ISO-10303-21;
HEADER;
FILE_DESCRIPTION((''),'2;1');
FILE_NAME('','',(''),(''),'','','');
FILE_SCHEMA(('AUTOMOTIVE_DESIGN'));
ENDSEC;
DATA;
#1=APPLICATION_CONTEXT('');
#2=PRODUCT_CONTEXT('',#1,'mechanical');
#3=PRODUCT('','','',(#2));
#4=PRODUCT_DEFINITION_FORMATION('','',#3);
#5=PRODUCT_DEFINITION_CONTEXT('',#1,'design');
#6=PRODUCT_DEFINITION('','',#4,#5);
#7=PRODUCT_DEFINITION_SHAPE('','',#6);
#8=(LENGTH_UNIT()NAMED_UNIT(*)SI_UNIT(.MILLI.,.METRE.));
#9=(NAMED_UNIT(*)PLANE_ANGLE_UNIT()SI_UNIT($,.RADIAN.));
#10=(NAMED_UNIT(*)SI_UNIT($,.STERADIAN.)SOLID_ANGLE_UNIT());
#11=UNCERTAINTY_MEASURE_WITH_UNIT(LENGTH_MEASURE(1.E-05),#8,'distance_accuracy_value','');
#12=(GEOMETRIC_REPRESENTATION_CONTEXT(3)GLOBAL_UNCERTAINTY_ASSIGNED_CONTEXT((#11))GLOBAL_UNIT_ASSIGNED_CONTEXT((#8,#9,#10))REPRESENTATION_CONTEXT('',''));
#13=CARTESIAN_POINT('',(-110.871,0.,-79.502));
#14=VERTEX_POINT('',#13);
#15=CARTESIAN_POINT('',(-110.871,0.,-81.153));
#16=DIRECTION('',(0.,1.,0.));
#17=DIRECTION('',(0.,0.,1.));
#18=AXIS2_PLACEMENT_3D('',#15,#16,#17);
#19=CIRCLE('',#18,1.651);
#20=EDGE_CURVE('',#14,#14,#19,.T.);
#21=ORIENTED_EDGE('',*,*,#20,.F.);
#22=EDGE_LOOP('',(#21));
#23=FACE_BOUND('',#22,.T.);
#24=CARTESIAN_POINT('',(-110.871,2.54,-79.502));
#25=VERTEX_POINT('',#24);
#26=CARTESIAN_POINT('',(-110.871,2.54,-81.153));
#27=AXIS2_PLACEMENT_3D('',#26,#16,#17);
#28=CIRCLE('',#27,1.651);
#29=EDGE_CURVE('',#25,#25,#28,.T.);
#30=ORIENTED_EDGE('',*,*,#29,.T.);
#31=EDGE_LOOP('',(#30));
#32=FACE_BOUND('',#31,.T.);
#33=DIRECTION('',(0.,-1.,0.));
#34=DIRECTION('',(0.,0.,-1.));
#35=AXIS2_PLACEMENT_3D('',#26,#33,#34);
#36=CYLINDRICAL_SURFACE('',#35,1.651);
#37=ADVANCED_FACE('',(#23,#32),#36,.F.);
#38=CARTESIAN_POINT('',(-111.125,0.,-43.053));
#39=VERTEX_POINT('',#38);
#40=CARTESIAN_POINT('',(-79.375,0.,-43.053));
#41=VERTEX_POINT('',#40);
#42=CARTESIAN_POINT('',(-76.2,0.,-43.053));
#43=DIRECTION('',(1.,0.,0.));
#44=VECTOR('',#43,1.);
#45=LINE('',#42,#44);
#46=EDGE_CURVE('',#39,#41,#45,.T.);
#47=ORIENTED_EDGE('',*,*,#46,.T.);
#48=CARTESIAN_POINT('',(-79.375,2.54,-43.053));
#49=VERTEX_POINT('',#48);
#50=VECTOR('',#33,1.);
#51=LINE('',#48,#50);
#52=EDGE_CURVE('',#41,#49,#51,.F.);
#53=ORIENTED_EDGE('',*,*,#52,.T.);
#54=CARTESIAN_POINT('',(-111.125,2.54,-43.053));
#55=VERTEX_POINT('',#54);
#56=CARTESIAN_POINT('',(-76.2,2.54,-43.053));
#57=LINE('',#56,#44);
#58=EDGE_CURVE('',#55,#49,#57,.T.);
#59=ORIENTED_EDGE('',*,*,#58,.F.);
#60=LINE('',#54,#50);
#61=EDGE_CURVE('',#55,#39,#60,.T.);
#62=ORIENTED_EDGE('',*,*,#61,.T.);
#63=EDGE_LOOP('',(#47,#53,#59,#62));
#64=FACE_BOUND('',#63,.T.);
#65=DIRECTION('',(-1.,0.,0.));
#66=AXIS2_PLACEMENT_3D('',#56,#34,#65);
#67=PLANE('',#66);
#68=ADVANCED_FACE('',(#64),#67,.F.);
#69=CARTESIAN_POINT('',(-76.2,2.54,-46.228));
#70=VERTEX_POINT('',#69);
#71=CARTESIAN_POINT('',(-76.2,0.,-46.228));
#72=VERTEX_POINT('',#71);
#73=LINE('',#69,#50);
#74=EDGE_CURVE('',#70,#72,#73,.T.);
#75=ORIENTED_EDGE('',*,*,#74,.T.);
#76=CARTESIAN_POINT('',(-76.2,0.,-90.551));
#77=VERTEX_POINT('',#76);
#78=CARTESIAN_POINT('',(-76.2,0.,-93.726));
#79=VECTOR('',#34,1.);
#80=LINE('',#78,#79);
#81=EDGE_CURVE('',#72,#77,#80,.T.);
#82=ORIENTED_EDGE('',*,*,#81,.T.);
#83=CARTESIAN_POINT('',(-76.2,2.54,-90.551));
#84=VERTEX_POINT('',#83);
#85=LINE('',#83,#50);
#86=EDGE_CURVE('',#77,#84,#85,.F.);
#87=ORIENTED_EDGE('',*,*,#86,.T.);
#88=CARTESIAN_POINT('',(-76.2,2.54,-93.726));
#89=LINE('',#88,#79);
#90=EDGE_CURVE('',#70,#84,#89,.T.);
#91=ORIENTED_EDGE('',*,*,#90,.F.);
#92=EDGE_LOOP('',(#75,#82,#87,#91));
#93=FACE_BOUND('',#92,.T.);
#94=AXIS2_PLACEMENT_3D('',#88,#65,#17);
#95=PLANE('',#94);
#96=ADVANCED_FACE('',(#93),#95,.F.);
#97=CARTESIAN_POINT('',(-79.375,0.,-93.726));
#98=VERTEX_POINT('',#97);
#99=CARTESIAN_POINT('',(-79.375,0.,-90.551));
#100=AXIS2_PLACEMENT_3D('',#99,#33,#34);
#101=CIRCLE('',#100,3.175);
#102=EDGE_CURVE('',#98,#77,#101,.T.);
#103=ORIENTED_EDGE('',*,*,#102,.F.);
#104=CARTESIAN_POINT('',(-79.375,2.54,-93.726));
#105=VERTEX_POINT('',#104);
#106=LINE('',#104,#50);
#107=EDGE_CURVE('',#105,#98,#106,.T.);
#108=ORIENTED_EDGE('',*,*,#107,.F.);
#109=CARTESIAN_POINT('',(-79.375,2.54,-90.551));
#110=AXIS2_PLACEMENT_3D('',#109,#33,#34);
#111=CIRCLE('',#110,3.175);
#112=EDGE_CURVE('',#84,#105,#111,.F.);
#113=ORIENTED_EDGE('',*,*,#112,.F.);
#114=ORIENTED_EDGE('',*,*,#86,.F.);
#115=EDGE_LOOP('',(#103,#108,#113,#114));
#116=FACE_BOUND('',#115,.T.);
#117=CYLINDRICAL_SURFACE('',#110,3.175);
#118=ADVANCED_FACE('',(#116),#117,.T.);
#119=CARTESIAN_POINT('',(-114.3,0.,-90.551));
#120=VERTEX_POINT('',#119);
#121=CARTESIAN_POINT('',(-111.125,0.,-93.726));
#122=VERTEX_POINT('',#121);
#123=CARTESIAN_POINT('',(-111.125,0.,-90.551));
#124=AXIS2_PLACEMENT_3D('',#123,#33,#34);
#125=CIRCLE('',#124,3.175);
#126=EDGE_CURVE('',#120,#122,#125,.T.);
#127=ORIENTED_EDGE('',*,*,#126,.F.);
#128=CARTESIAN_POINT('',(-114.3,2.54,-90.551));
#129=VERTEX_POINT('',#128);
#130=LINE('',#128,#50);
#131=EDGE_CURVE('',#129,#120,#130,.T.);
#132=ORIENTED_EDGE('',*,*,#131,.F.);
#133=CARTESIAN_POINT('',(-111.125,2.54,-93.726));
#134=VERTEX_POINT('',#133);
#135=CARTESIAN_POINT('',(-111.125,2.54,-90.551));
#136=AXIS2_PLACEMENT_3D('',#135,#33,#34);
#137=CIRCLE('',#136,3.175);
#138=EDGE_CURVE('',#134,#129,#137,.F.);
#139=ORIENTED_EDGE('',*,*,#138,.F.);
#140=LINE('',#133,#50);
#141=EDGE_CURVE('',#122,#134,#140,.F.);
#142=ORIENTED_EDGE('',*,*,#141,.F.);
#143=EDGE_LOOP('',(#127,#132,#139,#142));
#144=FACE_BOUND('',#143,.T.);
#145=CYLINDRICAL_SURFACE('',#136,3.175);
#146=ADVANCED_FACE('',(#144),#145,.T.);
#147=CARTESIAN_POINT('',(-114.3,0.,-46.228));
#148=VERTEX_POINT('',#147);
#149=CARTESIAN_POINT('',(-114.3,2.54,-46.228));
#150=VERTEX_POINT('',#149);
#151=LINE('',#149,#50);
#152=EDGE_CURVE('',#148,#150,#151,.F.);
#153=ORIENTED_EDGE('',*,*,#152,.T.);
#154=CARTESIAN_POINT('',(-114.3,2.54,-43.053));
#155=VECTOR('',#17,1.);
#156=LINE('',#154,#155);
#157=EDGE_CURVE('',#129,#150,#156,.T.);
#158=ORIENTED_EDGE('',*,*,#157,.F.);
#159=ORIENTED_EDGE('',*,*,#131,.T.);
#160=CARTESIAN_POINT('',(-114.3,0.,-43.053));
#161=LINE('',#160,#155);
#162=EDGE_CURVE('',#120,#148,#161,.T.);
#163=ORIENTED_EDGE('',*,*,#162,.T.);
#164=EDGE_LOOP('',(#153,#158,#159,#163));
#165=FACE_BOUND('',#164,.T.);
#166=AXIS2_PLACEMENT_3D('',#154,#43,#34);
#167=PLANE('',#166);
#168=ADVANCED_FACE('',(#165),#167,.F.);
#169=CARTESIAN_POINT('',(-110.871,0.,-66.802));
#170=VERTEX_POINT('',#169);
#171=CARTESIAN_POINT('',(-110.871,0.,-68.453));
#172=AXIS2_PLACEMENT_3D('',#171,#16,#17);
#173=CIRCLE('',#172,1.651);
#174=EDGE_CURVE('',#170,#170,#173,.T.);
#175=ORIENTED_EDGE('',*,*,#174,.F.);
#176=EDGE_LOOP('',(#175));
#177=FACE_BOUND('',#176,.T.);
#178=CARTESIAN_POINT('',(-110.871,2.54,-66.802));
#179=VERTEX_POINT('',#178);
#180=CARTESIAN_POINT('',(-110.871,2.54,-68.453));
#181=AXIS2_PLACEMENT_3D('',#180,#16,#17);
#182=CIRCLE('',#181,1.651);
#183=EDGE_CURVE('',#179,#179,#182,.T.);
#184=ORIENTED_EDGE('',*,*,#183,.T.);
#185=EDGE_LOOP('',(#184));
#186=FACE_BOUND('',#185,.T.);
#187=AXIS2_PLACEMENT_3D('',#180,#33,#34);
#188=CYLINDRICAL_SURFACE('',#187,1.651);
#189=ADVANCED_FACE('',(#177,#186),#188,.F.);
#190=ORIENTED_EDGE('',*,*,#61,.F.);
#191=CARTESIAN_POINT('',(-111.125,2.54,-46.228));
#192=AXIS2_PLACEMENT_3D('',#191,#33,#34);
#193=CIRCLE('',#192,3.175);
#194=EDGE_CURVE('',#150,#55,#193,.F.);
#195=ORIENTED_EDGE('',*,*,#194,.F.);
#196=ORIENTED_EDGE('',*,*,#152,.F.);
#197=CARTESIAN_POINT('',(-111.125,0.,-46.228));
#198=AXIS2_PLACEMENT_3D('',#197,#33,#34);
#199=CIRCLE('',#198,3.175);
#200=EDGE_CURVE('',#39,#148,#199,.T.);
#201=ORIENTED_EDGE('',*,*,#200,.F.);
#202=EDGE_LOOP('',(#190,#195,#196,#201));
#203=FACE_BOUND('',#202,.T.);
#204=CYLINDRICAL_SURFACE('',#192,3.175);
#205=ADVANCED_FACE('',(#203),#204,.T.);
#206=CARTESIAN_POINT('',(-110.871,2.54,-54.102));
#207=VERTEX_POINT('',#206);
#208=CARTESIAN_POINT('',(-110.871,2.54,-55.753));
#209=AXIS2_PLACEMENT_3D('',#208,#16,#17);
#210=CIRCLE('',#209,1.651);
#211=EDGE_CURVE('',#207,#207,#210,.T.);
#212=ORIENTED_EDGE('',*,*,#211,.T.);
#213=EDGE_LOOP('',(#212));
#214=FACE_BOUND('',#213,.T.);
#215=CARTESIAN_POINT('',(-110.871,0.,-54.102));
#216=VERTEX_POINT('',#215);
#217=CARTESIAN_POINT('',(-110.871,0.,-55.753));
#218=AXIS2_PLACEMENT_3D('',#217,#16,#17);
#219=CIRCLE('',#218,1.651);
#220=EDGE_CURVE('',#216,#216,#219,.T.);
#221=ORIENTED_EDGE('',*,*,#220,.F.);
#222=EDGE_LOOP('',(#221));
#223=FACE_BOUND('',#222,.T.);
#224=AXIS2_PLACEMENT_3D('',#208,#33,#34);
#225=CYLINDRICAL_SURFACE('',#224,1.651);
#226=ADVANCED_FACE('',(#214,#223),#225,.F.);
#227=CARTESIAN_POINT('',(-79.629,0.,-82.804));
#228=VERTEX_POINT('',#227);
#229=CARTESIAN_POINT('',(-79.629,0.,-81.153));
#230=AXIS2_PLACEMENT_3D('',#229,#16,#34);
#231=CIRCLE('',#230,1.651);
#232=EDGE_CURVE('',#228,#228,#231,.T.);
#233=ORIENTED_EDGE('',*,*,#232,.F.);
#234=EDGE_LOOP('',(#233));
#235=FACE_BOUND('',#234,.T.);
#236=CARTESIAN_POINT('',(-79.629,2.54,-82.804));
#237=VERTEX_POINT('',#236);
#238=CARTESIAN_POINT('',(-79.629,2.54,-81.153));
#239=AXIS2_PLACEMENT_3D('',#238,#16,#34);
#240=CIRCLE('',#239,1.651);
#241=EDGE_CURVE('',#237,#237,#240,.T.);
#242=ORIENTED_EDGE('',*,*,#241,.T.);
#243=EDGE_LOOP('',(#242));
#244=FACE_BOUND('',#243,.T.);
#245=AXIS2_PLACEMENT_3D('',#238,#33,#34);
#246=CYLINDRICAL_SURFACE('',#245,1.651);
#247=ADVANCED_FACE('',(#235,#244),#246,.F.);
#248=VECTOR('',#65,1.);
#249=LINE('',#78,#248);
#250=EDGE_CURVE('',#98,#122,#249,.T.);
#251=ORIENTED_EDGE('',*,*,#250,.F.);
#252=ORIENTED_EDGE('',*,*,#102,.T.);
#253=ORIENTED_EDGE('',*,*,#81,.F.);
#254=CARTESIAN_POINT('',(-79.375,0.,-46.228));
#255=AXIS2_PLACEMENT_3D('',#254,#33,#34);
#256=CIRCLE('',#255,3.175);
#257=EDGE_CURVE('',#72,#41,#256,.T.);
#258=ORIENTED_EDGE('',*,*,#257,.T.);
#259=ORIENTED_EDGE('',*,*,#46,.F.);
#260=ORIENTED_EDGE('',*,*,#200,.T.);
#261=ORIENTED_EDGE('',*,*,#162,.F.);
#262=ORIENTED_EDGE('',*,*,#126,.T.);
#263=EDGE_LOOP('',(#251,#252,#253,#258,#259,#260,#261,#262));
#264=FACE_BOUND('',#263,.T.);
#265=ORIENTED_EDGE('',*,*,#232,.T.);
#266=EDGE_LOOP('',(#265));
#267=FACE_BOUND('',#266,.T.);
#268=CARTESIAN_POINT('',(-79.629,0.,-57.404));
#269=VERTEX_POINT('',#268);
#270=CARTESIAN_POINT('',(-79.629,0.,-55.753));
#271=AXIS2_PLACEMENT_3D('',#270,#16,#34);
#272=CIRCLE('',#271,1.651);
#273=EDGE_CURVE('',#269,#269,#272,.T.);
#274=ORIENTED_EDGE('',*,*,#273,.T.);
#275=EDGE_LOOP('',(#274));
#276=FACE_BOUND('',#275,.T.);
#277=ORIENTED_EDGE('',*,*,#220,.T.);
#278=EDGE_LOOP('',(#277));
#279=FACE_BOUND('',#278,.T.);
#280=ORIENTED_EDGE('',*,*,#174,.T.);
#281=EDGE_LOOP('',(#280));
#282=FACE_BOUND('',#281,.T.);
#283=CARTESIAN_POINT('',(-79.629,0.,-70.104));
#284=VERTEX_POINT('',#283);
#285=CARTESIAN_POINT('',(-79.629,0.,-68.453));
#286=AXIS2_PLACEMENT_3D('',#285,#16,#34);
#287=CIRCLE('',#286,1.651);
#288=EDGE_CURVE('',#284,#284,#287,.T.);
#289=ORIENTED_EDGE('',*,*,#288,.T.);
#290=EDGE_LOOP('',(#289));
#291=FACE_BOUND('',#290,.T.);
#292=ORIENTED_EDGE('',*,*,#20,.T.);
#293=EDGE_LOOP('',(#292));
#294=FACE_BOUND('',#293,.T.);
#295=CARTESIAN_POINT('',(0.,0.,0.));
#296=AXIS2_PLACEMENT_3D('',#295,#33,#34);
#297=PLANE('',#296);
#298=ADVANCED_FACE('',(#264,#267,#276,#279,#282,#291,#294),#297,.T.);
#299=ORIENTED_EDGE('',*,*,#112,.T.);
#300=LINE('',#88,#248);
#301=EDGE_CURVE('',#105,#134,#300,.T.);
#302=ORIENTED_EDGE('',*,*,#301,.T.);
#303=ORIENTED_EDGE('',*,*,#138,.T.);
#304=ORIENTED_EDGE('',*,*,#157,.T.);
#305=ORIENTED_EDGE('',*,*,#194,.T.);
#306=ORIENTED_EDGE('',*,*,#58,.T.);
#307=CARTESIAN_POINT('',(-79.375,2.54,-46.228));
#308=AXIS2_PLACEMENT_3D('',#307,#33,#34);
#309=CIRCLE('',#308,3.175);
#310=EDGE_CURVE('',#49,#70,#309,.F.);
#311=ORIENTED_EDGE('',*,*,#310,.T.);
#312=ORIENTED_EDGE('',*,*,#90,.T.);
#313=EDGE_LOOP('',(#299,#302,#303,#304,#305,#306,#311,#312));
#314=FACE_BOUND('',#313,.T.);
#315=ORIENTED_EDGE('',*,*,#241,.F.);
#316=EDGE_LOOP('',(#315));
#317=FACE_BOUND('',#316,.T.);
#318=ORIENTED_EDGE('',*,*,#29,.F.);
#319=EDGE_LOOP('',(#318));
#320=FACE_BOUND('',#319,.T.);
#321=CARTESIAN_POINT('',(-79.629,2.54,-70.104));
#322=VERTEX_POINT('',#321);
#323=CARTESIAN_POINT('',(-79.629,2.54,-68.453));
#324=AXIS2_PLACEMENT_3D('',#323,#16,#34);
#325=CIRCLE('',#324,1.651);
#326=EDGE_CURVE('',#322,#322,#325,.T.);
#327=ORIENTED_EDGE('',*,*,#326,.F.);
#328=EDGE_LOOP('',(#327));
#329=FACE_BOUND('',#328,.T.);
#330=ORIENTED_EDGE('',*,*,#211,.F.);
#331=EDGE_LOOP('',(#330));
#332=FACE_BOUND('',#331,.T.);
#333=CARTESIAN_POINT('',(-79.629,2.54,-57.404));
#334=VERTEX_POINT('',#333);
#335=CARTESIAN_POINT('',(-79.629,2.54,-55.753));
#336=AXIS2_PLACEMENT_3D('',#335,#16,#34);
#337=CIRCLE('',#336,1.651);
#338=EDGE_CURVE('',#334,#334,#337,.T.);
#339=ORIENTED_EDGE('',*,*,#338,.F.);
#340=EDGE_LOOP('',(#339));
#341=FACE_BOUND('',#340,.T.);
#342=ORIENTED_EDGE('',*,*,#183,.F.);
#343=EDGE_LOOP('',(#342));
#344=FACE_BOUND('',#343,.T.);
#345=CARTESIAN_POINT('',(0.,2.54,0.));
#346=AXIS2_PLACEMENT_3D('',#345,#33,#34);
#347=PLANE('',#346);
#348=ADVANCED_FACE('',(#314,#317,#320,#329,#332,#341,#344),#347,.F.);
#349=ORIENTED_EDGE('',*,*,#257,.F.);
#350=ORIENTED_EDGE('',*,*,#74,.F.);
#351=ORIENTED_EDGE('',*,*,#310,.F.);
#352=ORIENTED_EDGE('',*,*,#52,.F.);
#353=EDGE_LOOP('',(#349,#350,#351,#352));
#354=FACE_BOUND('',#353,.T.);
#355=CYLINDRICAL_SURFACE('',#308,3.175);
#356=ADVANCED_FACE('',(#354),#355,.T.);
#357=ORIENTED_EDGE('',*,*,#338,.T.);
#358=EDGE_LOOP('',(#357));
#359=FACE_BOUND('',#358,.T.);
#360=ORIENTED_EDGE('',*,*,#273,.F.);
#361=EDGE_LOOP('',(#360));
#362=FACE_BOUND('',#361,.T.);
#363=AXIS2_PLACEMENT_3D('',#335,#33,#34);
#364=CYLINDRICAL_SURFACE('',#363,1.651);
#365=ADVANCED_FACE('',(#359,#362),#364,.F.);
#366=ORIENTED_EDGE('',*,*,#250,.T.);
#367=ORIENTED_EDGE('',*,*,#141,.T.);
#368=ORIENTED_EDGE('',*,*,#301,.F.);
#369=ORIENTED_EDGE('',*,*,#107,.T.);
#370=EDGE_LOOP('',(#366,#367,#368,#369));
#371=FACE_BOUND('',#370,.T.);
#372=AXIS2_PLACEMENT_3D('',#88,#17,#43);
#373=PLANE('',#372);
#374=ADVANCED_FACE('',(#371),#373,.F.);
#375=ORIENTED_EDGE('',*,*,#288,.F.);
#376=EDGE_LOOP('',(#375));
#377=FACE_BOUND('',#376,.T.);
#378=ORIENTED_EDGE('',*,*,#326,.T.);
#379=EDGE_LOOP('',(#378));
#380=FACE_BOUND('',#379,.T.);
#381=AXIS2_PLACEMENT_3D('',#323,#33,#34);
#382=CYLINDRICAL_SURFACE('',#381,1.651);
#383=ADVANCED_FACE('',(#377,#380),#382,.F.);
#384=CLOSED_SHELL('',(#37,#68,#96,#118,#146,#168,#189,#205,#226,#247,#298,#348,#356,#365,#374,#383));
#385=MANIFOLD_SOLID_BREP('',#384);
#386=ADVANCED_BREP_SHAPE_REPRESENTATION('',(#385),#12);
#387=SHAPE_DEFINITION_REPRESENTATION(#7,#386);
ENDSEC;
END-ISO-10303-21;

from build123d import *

# Parameters (mm, degrees)
SKETCH1_W           = 38.1
SKETCH1_H           = 50.673
SKETCH1_R           = 1.651
BOSS_EXTRUDE1_DEPTH = 2.54
FILLET1_R           = 3.175


with BuildPart() as part:
    # Sketch1 → Boss-Extrude1 (new body)
    with BuildSketch(Plane(origin=(0, 0, 0), x_dir=(1, 0, 0), z_dir=(0, 1, 0))):
        with Locations((-95.25, 68.3895)):
            Rectangle(SKETCH1_W, SKETCH1_H)
        with Locations(Location((-110.871, 81.153, 0), (0, 0, 270))):
            Circle(SKETCH1_R, mode=Mode.SUBTRACT)
        with Locations(Location((-110.871, 68.453, 0), (0, 0, 270))):
            Circle(SKETCH1_R, mode=Mode.SUBTRACT)
        with Locations(Location((-110.871, 55.753, 0), (0, 0, 270))):
            Circle(SKETCH1_R, mode=Mode.SUBTRACT)
        with Locations(Location((-79.629, 81.153, 0), (0, 0, 90))):
            Circle(SKETCH1_R, mode=Mode.SUBTRACT)
        with Locations(Location((-79.629, 68.453, 0), (0, 0, 90))):
            Circle(SKETCH1_R, mode=Mode.SUBTRACT)
        with Locations(Location((-79.629, 55.753, 0), (0, 0, 90))):
            Circle(SKETCH1_R, mode=Mode.SUBTRACT)
    extrude(amount=BOSS_EXTRUDE1_DEPTH)

    # Fillet1
    fillet1_edges = [part.edges().sort_by_distance(p)[0] for p in [
        (-76.2, 1.27, -43.053),
        (-114.3, 1.27, -43.053),
        (-114.3, 1.27, -93.726),
        (-76.2, 1.27, -93.726),
    ]]
    fillet(fillet1_edges, radius=FILLET1_R)


solid = part.part
